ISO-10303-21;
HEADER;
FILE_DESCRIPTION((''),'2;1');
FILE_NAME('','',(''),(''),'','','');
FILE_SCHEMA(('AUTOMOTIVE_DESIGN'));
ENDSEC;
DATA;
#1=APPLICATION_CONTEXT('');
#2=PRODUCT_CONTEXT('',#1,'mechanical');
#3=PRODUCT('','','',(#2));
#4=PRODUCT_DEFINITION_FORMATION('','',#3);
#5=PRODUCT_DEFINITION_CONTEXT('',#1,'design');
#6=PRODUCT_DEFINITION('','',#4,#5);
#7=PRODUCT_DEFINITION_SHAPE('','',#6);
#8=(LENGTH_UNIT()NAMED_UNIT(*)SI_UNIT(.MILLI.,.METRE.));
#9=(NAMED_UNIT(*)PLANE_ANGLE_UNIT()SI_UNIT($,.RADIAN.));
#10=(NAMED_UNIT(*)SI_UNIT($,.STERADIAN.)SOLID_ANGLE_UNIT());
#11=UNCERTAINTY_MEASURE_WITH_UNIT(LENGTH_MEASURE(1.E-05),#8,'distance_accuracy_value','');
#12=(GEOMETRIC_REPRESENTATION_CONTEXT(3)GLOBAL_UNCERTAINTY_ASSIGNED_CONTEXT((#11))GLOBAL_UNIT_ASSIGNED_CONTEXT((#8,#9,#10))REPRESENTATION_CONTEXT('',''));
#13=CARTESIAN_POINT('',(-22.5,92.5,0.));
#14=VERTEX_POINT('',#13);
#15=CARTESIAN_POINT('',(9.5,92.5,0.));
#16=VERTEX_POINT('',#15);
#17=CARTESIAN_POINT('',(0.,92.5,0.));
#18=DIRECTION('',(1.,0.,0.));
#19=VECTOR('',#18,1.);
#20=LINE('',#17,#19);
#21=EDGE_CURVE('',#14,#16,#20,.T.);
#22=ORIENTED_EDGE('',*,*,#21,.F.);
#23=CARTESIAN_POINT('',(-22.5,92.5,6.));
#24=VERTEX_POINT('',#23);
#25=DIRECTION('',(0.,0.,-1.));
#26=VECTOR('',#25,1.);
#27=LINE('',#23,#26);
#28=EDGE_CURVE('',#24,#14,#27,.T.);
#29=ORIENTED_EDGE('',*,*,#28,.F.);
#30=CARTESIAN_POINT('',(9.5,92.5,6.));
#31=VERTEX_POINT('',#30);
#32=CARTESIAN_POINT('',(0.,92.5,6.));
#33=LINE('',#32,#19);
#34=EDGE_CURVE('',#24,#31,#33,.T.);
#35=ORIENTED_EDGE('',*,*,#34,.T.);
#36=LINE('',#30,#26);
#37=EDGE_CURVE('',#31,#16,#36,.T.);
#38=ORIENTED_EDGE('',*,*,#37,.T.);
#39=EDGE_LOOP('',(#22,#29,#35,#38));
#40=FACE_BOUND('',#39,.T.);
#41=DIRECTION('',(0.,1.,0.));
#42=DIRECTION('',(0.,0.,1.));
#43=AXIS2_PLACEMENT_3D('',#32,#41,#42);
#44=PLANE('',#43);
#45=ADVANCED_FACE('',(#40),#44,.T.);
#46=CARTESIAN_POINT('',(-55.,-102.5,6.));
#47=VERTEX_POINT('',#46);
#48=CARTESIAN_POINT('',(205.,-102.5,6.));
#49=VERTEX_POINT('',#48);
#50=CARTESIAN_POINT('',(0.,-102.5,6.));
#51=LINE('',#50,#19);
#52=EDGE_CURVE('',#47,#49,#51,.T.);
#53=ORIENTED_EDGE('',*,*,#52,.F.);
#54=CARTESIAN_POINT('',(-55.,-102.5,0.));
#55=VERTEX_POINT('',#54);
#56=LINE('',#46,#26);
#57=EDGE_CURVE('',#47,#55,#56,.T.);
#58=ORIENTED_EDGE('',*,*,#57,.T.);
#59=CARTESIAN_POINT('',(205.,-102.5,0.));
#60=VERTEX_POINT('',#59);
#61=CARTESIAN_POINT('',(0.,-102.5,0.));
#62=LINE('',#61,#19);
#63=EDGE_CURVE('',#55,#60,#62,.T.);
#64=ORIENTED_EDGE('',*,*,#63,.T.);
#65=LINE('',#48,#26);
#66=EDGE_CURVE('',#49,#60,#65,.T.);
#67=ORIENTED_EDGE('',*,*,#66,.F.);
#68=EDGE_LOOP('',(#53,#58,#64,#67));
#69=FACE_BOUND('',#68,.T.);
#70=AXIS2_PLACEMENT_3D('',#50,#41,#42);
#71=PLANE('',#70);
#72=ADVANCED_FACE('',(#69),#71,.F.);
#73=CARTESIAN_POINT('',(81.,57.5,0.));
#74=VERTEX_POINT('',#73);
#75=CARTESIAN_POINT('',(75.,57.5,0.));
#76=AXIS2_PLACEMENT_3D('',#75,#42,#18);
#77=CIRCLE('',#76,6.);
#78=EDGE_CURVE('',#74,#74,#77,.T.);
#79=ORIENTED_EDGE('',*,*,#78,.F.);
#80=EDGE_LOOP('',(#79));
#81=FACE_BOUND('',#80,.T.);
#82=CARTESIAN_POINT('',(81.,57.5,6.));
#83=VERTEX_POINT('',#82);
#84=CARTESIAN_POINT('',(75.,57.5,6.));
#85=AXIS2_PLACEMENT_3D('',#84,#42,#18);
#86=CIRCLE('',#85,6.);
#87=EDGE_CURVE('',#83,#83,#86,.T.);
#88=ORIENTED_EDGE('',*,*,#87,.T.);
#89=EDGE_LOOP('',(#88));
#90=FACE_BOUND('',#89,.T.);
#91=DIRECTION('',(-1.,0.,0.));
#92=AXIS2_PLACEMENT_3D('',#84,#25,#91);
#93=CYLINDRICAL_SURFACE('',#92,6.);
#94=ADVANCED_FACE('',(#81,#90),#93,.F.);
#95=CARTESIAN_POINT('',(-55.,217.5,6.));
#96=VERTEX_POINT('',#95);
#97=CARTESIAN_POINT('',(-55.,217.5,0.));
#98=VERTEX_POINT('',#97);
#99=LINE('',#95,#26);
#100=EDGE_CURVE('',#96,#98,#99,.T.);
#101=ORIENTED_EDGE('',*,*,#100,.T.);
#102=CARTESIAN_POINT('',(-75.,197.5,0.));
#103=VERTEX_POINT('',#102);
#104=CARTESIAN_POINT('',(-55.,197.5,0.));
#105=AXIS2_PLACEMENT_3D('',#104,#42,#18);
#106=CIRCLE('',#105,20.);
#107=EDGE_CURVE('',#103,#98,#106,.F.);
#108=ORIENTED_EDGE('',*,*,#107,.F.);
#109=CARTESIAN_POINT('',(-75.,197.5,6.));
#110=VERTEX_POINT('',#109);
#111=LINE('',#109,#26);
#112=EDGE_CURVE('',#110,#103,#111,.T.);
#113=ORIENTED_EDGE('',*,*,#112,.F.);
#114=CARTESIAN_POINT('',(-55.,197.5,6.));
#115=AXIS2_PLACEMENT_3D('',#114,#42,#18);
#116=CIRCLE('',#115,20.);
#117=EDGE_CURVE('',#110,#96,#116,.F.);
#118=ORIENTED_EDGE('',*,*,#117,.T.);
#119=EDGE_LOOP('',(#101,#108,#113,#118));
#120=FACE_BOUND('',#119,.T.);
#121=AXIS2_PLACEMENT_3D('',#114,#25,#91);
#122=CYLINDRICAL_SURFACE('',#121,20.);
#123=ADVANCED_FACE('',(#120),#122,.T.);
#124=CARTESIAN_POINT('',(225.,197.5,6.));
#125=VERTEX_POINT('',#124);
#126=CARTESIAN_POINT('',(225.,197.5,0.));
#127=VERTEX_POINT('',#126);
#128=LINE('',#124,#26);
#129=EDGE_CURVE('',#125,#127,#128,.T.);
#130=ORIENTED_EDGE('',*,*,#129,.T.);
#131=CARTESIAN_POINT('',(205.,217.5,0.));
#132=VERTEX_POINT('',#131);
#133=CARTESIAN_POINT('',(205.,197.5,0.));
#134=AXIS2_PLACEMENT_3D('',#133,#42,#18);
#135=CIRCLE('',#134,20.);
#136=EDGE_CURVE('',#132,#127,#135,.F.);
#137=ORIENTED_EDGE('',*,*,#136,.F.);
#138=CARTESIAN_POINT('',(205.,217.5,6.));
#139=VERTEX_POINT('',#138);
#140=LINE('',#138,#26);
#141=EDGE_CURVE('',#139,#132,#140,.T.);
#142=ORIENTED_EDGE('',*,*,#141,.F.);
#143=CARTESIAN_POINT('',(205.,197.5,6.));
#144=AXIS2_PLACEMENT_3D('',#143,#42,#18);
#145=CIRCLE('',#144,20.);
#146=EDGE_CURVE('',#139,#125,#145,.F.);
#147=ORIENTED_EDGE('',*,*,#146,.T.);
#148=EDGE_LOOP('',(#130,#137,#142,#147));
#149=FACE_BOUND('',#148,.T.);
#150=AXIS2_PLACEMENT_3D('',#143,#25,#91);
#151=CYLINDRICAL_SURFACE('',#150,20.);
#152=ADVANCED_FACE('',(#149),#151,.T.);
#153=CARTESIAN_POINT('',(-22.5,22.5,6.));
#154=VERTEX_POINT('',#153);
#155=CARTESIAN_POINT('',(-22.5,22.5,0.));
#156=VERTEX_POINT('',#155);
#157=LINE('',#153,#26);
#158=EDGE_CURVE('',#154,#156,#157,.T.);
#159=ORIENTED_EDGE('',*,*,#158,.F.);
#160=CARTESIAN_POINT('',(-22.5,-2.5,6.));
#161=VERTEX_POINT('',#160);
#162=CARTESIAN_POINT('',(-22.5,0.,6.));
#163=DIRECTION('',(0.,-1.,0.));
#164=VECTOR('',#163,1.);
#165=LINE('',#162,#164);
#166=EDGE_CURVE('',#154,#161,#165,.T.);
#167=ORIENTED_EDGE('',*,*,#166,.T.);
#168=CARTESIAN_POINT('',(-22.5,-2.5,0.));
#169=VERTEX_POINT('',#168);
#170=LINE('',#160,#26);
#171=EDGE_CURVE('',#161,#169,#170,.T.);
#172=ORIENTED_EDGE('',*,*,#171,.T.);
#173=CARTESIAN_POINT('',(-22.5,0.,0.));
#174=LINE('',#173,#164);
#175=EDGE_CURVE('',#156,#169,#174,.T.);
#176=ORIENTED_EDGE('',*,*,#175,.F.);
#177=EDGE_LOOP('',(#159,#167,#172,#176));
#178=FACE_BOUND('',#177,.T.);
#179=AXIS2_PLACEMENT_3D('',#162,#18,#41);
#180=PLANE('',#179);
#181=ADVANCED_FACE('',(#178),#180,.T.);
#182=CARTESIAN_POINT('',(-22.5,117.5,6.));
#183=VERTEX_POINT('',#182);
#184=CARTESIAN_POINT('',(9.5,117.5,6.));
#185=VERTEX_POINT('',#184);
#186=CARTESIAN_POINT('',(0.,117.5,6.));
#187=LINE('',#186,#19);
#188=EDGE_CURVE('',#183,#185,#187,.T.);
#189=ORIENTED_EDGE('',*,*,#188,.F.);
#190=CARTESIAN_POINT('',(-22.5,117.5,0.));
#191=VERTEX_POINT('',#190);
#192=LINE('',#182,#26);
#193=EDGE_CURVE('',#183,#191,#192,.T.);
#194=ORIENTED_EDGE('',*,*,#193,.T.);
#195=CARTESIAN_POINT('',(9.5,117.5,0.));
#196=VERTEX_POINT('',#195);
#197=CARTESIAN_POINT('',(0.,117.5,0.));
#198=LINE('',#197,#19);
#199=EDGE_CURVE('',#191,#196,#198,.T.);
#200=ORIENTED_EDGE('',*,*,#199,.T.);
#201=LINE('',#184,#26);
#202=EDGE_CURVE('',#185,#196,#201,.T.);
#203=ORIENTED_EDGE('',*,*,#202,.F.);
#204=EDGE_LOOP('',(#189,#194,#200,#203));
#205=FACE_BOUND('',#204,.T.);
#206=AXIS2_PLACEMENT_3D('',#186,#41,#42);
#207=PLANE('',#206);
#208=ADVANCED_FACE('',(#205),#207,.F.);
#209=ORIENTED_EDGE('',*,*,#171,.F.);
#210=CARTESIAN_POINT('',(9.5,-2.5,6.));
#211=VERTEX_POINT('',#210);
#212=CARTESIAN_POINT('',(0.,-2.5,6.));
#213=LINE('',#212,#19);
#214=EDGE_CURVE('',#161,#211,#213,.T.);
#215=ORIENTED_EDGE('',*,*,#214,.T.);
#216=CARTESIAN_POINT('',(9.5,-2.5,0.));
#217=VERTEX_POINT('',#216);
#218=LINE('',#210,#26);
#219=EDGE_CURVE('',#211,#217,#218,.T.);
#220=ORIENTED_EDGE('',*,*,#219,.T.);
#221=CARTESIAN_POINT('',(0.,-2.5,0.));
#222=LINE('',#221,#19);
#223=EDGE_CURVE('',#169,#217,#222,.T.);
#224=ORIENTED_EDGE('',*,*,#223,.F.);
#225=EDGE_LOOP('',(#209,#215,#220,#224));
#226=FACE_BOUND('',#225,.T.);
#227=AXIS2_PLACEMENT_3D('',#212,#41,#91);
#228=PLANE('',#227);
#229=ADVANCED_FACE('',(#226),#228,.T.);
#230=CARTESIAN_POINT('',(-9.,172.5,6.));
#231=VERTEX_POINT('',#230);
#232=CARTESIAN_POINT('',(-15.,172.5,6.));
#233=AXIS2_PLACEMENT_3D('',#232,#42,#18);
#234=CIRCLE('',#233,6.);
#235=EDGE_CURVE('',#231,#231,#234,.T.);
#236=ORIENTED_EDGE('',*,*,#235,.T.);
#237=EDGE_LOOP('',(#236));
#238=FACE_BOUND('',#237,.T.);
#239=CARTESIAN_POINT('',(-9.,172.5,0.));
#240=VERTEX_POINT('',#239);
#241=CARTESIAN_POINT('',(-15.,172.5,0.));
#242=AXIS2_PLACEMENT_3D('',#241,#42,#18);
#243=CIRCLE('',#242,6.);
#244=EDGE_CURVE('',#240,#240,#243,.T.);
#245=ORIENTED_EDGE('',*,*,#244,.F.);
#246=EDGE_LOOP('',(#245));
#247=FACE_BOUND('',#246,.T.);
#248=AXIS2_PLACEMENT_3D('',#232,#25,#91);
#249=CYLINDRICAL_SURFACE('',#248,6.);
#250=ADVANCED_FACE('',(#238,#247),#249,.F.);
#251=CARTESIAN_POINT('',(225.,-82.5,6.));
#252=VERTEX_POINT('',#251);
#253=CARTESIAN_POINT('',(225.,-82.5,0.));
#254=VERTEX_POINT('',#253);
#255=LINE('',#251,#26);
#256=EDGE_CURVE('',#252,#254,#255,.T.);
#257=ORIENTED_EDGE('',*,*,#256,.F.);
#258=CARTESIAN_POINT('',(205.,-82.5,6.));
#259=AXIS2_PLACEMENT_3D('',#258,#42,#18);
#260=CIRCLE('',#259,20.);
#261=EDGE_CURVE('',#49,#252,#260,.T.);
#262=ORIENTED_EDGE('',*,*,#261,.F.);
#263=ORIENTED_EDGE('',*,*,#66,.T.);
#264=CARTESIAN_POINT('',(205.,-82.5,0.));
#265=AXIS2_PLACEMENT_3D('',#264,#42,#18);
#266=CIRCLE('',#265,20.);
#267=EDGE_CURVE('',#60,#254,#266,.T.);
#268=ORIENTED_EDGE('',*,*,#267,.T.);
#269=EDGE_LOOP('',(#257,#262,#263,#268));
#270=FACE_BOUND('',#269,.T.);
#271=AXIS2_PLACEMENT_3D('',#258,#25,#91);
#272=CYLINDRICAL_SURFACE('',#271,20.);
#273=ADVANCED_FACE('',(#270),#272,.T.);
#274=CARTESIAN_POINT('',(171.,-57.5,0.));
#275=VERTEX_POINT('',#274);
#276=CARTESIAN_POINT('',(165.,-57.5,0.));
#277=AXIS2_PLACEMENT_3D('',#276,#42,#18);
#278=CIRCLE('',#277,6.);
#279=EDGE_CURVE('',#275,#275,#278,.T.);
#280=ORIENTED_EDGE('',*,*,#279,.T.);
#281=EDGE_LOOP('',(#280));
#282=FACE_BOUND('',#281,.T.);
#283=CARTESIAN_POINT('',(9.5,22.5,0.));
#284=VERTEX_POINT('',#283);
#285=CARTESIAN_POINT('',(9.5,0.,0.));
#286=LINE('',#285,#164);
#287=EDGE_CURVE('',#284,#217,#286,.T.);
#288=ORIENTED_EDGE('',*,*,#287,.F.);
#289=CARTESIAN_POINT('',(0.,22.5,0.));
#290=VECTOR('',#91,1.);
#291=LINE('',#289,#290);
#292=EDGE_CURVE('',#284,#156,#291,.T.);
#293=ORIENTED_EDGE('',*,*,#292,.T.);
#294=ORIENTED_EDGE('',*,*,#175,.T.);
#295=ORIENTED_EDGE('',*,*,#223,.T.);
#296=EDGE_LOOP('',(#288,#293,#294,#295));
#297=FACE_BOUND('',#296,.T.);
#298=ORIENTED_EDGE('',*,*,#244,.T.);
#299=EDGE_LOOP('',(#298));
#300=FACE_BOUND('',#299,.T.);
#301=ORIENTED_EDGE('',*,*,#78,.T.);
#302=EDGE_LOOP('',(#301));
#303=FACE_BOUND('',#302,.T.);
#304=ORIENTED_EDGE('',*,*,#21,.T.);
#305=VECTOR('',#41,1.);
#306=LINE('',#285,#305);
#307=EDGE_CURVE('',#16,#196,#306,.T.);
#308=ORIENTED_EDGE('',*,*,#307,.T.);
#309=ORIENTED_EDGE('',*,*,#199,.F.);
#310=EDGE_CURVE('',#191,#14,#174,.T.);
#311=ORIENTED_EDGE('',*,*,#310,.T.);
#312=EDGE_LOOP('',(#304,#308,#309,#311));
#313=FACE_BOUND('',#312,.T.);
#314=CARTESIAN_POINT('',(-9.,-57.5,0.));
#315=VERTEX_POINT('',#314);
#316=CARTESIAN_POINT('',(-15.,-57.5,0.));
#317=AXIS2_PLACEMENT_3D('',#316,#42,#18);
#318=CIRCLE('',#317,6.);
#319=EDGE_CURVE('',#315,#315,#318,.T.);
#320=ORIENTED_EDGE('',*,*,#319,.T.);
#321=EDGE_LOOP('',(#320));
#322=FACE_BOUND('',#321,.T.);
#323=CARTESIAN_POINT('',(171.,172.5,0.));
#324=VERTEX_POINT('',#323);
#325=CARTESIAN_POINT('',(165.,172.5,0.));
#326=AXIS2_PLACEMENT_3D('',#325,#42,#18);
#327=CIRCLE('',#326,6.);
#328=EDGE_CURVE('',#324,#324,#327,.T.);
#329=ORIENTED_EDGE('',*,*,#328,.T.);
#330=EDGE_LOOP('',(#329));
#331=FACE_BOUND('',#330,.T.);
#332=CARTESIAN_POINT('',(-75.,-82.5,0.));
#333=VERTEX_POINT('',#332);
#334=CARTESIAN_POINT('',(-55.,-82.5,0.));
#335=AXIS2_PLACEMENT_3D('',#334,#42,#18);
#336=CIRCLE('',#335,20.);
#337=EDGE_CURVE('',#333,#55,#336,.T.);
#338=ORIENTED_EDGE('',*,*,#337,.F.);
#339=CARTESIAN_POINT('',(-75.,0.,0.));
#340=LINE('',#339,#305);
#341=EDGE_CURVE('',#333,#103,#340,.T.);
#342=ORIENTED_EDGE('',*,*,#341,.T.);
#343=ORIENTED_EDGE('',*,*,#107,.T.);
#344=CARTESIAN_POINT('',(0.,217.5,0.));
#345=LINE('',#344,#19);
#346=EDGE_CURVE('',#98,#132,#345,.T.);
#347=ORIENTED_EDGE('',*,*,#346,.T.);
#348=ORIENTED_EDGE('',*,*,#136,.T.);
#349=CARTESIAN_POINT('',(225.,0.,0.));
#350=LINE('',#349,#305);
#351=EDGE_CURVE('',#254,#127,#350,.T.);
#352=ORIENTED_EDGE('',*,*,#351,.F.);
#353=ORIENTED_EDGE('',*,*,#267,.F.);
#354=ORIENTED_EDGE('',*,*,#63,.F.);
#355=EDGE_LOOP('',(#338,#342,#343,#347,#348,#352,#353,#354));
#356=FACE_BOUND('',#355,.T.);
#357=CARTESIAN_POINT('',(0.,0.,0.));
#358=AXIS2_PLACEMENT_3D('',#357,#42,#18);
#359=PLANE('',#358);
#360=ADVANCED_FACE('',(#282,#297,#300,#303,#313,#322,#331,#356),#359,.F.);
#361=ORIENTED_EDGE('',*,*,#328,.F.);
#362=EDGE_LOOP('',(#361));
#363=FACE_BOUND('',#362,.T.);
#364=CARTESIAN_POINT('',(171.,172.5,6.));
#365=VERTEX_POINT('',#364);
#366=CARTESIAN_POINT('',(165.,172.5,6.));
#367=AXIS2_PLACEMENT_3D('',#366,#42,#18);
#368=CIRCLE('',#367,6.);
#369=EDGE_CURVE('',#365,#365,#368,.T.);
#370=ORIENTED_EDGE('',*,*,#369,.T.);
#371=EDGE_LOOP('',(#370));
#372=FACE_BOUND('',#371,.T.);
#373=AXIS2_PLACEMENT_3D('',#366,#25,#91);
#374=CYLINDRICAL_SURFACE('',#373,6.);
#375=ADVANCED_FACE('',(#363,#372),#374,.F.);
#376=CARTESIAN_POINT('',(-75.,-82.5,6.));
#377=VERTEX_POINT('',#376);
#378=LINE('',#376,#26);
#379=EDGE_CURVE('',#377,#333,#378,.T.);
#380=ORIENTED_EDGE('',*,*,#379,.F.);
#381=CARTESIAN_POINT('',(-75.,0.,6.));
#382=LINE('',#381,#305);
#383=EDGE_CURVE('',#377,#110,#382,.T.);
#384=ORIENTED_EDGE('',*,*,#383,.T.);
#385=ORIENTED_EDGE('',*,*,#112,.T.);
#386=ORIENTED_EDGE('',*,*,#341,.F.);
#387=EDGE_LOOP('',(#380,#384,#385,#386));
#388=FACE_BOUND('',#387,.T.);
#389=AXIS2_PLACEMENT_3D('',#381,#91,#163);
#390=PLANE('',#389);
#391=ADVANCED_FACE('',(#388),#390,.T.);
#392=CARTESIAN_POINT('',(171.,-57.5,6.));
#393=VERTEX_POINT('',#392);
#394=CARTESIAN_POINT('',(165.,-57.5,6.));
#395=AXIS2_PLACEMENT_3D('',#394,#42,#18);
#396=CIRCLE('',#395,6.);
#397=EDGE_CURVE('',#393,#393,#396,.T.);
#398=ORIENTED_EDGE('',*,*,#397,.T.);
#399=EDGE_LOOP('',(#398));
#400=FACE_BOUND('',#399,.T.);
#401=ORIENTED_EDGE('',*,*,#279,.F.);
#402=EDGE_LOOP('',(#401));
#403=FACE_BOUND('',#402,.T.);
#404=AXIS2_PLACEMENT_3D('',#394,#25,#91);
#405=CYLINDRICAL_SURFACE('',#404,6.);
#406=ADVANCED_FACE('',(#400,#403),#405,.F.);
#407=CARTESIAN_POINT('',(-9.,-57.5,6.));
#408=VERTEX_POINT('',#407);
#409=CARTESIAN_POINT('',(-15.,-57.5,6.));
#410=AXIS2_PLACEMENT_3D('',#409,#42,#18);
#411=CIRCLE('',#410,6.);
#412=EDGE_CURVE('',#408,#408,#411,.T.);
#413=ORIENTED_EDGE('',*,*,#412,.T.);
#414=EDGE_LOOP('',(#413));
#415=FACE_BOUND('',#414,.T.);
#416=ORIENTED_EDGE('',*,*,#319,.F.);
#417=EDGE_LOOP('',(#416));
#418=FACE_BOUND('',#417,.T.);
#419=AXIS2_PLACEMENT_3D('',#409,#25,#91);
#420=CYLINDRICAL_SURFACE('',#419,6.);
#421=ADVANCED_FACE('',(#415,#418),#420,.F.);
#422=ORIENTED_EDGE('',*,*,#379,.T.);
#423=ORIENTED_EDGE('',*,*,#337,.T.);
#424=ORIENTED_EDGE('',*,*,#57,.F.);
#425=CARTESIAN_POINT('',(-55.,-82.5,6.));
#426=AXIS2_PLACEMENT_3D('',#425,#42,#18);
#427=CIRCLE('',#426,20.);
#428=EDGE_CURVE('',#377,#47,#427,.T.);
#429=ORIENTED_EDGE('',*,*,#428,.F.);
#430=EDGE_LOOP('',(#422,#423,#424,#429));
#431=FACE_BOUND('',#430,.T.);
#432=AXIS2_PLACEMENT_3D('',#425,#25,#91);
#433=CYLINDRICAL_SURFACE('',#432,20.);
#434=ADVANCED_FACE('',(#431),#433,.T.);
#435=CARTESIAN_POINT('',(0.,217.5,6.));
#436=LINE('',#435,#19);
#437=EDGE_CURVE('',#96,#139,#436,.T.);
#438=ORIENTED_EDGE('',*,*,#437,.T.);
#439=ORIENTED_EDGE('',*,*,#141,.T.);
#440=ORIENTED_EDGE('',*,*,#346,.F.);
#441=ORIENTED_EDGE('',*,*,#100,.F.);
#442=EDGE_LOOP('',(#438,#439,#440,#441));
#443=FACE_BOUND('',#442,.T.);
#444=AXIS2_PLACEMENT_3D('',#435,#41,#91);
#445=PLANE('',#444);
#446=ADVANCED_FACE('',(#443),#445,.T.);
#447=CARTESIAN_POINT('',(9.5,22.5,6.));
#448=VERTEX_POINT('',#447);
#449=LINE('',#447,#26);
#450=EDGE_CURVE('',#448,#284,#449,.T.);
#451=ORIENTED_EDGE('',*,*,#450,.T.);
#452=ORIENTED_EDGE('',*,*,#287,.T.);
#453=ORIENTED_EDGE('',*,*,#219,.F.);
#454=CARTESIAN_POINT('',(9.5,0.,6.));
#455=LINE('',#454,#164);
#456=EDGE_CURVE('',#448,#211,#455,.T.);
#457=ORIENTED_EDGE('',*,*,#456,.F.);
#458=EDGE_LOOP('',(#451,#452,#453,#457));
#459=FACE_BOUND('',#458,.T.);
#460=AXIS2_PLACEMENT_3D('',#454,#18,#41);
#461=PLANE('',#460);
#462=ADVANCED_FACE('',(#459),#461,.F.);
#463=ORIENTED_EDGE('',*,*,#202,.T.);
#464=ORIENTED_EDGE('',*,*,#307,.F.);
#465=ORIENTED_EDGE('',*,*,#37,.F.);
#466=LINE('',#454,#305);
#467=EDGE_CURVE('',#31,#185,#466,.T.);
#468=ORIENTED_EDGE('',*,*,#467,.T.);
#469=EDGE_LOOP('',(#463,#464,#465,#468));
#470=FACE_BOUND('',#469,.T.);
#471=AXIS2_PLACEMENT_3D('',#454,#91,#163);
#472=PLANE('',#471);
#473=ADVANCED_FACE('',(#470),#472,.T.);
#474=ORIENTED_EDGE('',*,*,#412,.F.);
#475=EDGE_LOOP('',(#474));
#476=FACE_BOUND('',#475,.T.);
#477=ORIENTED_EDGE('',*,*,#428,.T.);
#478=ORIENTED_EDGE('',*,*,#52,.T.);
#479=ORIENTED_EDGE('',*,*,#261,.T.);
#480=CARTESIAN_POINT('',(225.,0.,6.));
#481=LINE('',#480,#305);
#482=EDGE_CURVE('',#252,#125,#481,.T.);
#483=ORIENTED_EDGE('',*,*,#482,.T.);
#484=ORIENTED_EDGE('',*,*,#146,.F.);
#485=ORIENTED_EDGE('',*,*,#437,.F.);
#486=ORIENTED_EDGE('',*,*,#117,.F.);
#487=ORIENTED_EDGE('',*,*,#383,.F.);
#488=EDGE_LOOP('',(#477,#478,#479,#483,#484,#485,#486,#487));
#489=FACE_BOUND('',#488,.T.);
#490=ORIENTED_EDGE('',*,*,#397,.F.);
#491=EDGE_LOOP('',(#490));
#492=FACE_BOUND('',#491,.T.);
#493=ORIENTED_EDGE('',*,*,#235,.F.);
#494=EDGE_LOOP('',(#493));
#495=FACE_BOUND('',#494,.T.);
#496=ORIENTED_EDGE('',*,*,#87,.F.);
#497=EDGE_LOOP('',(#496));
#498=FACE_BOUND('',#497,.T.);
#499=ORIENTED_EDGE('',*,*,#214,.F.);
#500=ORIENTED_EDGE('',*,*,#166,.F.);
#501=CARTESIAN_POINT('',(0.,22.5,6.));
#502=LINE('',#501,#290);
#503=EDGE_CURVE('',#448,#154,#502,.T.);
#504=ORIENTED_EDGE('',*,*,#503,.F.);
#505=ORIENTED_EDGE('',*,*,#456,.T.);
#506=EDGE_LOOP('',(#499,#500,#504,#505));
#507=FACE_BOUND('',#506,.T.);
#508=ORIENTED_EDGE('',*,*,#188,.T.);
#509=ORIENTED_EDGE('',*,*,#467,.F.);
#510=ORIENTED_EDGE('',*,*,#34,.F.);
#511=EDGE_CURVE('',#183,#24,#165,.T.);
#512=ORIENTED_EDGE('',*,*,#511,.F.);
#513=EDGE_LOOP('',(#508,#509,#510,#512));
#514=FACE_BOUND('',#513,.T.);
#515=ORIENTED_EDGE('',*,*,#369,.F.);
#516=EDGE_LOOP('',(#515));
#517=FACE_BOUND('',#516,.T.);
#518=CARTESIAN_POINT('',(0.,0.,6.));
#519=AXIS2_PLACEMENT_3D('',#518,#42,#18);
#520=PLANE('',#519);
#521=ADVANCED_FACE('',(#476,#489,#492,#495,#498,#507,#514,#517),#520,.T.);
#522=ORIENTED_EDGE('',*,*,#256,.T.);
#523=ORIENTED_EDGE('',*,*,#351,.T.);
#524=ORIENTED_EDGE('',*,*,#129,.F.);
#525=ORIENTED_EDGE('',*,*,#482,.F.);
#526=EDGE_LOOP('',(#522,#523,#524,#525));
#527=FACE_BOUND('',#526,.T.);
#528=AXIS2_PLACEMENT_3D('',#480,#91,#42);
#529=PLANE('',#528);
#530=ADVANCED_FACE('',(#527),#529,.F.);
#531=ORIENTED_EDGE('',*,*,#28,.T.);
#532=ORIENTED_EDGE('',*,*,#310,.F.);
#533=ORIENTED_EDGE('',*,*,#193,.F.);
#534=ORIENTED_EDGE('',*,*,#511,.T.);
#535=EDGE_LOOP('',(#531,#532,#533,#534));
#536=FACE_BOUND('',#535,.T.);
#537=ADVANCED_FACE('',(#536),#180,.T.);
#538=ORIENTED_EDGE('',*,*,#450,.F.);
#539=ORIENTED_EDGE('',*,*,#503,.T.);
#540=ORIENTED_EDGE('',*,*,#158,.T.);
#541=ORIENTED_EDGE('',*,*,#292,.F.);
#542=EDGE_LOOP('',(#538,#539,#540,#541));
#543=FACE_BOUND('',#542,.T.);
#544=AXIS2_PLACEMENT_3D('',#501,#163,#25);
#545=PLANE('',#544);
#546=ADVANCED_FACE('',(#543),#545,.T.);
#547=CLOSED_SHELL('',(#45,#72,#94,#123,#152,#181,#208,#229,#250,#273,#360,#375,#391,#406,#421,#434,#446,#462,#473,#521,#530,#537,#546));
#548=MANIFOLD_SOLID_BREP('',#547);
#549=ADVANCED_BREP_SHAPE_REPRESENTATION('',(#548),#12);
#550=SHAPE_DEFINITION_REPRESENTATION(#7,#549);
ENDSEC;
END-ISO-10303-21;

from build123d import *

# Parameters (mm, degrees)
SKETCH1_R           = 6
SKETCH1_W           = 32
SKETCH1_H           = 25
BOSS_EXTRUDE1_DEPTH = 6


with BuildPart() as part:
    # Sketch1 → Boss-Extrude1 (new body)
    with BuildSketch(Plane.XY):
        with BuildLine():
            Line((-55, -102.5), (205, -102.5))
            ThreePointArc((205, -102.5), (219.142135624, -96.642135624), (225, -82.5))
            Line((225, -82.5), (225, 197.5))
            ThreePointArc((225, 197.5), (219.142135624, 211.642135624), (205, 217.5))
            Line((205, 217.5), (-55, 217.5))
            ThreePointArc((-55, 217.5), (-69.142135624, 211.642135624), (-75, 197.5))
            Line((-75, 197.5), (-75, -82.5))
            ThreePointArc((-75, -82.5), (-69.142135624, -96.642135624), (-55, -102.5))
        make_face()
        with Locations((165, 172.5)):
            Circle(SKETCH1_R, mode=Mode.SUBTRACT)
        with Locations((-15, -57.5)):
            Circle(SKETCH1_R, mode=Mode.SUBTRACT)
        Polygon((9.5, 22.5), (9.5, -2.5), (-22.5, -2.5), (-22.5, 22.5), (0, 22.5), align=None, mode=Mode.SUBTRACT)
        with Locations((165, -57.5)):
            Circle(SKETCH1_R, mode=Mode.SUBTRACT)
        with Locations((-6.5, 105)):
            Rectangle(SKETCH1_W, SKETCH1_H, mode=Mode.SUBTRACT)
        with Locations((-15, 172.5)):
            Circle(SKETCH1_R, mode=Mode.SUBTRACT)
        with Locations((75, 57.5)):
            Circle(SKETCH1_R, mode=Mode.SUBTRACT)
    extrude(amount=BOSS_EXTRUDE1_DEPTH)


solid = part.part
